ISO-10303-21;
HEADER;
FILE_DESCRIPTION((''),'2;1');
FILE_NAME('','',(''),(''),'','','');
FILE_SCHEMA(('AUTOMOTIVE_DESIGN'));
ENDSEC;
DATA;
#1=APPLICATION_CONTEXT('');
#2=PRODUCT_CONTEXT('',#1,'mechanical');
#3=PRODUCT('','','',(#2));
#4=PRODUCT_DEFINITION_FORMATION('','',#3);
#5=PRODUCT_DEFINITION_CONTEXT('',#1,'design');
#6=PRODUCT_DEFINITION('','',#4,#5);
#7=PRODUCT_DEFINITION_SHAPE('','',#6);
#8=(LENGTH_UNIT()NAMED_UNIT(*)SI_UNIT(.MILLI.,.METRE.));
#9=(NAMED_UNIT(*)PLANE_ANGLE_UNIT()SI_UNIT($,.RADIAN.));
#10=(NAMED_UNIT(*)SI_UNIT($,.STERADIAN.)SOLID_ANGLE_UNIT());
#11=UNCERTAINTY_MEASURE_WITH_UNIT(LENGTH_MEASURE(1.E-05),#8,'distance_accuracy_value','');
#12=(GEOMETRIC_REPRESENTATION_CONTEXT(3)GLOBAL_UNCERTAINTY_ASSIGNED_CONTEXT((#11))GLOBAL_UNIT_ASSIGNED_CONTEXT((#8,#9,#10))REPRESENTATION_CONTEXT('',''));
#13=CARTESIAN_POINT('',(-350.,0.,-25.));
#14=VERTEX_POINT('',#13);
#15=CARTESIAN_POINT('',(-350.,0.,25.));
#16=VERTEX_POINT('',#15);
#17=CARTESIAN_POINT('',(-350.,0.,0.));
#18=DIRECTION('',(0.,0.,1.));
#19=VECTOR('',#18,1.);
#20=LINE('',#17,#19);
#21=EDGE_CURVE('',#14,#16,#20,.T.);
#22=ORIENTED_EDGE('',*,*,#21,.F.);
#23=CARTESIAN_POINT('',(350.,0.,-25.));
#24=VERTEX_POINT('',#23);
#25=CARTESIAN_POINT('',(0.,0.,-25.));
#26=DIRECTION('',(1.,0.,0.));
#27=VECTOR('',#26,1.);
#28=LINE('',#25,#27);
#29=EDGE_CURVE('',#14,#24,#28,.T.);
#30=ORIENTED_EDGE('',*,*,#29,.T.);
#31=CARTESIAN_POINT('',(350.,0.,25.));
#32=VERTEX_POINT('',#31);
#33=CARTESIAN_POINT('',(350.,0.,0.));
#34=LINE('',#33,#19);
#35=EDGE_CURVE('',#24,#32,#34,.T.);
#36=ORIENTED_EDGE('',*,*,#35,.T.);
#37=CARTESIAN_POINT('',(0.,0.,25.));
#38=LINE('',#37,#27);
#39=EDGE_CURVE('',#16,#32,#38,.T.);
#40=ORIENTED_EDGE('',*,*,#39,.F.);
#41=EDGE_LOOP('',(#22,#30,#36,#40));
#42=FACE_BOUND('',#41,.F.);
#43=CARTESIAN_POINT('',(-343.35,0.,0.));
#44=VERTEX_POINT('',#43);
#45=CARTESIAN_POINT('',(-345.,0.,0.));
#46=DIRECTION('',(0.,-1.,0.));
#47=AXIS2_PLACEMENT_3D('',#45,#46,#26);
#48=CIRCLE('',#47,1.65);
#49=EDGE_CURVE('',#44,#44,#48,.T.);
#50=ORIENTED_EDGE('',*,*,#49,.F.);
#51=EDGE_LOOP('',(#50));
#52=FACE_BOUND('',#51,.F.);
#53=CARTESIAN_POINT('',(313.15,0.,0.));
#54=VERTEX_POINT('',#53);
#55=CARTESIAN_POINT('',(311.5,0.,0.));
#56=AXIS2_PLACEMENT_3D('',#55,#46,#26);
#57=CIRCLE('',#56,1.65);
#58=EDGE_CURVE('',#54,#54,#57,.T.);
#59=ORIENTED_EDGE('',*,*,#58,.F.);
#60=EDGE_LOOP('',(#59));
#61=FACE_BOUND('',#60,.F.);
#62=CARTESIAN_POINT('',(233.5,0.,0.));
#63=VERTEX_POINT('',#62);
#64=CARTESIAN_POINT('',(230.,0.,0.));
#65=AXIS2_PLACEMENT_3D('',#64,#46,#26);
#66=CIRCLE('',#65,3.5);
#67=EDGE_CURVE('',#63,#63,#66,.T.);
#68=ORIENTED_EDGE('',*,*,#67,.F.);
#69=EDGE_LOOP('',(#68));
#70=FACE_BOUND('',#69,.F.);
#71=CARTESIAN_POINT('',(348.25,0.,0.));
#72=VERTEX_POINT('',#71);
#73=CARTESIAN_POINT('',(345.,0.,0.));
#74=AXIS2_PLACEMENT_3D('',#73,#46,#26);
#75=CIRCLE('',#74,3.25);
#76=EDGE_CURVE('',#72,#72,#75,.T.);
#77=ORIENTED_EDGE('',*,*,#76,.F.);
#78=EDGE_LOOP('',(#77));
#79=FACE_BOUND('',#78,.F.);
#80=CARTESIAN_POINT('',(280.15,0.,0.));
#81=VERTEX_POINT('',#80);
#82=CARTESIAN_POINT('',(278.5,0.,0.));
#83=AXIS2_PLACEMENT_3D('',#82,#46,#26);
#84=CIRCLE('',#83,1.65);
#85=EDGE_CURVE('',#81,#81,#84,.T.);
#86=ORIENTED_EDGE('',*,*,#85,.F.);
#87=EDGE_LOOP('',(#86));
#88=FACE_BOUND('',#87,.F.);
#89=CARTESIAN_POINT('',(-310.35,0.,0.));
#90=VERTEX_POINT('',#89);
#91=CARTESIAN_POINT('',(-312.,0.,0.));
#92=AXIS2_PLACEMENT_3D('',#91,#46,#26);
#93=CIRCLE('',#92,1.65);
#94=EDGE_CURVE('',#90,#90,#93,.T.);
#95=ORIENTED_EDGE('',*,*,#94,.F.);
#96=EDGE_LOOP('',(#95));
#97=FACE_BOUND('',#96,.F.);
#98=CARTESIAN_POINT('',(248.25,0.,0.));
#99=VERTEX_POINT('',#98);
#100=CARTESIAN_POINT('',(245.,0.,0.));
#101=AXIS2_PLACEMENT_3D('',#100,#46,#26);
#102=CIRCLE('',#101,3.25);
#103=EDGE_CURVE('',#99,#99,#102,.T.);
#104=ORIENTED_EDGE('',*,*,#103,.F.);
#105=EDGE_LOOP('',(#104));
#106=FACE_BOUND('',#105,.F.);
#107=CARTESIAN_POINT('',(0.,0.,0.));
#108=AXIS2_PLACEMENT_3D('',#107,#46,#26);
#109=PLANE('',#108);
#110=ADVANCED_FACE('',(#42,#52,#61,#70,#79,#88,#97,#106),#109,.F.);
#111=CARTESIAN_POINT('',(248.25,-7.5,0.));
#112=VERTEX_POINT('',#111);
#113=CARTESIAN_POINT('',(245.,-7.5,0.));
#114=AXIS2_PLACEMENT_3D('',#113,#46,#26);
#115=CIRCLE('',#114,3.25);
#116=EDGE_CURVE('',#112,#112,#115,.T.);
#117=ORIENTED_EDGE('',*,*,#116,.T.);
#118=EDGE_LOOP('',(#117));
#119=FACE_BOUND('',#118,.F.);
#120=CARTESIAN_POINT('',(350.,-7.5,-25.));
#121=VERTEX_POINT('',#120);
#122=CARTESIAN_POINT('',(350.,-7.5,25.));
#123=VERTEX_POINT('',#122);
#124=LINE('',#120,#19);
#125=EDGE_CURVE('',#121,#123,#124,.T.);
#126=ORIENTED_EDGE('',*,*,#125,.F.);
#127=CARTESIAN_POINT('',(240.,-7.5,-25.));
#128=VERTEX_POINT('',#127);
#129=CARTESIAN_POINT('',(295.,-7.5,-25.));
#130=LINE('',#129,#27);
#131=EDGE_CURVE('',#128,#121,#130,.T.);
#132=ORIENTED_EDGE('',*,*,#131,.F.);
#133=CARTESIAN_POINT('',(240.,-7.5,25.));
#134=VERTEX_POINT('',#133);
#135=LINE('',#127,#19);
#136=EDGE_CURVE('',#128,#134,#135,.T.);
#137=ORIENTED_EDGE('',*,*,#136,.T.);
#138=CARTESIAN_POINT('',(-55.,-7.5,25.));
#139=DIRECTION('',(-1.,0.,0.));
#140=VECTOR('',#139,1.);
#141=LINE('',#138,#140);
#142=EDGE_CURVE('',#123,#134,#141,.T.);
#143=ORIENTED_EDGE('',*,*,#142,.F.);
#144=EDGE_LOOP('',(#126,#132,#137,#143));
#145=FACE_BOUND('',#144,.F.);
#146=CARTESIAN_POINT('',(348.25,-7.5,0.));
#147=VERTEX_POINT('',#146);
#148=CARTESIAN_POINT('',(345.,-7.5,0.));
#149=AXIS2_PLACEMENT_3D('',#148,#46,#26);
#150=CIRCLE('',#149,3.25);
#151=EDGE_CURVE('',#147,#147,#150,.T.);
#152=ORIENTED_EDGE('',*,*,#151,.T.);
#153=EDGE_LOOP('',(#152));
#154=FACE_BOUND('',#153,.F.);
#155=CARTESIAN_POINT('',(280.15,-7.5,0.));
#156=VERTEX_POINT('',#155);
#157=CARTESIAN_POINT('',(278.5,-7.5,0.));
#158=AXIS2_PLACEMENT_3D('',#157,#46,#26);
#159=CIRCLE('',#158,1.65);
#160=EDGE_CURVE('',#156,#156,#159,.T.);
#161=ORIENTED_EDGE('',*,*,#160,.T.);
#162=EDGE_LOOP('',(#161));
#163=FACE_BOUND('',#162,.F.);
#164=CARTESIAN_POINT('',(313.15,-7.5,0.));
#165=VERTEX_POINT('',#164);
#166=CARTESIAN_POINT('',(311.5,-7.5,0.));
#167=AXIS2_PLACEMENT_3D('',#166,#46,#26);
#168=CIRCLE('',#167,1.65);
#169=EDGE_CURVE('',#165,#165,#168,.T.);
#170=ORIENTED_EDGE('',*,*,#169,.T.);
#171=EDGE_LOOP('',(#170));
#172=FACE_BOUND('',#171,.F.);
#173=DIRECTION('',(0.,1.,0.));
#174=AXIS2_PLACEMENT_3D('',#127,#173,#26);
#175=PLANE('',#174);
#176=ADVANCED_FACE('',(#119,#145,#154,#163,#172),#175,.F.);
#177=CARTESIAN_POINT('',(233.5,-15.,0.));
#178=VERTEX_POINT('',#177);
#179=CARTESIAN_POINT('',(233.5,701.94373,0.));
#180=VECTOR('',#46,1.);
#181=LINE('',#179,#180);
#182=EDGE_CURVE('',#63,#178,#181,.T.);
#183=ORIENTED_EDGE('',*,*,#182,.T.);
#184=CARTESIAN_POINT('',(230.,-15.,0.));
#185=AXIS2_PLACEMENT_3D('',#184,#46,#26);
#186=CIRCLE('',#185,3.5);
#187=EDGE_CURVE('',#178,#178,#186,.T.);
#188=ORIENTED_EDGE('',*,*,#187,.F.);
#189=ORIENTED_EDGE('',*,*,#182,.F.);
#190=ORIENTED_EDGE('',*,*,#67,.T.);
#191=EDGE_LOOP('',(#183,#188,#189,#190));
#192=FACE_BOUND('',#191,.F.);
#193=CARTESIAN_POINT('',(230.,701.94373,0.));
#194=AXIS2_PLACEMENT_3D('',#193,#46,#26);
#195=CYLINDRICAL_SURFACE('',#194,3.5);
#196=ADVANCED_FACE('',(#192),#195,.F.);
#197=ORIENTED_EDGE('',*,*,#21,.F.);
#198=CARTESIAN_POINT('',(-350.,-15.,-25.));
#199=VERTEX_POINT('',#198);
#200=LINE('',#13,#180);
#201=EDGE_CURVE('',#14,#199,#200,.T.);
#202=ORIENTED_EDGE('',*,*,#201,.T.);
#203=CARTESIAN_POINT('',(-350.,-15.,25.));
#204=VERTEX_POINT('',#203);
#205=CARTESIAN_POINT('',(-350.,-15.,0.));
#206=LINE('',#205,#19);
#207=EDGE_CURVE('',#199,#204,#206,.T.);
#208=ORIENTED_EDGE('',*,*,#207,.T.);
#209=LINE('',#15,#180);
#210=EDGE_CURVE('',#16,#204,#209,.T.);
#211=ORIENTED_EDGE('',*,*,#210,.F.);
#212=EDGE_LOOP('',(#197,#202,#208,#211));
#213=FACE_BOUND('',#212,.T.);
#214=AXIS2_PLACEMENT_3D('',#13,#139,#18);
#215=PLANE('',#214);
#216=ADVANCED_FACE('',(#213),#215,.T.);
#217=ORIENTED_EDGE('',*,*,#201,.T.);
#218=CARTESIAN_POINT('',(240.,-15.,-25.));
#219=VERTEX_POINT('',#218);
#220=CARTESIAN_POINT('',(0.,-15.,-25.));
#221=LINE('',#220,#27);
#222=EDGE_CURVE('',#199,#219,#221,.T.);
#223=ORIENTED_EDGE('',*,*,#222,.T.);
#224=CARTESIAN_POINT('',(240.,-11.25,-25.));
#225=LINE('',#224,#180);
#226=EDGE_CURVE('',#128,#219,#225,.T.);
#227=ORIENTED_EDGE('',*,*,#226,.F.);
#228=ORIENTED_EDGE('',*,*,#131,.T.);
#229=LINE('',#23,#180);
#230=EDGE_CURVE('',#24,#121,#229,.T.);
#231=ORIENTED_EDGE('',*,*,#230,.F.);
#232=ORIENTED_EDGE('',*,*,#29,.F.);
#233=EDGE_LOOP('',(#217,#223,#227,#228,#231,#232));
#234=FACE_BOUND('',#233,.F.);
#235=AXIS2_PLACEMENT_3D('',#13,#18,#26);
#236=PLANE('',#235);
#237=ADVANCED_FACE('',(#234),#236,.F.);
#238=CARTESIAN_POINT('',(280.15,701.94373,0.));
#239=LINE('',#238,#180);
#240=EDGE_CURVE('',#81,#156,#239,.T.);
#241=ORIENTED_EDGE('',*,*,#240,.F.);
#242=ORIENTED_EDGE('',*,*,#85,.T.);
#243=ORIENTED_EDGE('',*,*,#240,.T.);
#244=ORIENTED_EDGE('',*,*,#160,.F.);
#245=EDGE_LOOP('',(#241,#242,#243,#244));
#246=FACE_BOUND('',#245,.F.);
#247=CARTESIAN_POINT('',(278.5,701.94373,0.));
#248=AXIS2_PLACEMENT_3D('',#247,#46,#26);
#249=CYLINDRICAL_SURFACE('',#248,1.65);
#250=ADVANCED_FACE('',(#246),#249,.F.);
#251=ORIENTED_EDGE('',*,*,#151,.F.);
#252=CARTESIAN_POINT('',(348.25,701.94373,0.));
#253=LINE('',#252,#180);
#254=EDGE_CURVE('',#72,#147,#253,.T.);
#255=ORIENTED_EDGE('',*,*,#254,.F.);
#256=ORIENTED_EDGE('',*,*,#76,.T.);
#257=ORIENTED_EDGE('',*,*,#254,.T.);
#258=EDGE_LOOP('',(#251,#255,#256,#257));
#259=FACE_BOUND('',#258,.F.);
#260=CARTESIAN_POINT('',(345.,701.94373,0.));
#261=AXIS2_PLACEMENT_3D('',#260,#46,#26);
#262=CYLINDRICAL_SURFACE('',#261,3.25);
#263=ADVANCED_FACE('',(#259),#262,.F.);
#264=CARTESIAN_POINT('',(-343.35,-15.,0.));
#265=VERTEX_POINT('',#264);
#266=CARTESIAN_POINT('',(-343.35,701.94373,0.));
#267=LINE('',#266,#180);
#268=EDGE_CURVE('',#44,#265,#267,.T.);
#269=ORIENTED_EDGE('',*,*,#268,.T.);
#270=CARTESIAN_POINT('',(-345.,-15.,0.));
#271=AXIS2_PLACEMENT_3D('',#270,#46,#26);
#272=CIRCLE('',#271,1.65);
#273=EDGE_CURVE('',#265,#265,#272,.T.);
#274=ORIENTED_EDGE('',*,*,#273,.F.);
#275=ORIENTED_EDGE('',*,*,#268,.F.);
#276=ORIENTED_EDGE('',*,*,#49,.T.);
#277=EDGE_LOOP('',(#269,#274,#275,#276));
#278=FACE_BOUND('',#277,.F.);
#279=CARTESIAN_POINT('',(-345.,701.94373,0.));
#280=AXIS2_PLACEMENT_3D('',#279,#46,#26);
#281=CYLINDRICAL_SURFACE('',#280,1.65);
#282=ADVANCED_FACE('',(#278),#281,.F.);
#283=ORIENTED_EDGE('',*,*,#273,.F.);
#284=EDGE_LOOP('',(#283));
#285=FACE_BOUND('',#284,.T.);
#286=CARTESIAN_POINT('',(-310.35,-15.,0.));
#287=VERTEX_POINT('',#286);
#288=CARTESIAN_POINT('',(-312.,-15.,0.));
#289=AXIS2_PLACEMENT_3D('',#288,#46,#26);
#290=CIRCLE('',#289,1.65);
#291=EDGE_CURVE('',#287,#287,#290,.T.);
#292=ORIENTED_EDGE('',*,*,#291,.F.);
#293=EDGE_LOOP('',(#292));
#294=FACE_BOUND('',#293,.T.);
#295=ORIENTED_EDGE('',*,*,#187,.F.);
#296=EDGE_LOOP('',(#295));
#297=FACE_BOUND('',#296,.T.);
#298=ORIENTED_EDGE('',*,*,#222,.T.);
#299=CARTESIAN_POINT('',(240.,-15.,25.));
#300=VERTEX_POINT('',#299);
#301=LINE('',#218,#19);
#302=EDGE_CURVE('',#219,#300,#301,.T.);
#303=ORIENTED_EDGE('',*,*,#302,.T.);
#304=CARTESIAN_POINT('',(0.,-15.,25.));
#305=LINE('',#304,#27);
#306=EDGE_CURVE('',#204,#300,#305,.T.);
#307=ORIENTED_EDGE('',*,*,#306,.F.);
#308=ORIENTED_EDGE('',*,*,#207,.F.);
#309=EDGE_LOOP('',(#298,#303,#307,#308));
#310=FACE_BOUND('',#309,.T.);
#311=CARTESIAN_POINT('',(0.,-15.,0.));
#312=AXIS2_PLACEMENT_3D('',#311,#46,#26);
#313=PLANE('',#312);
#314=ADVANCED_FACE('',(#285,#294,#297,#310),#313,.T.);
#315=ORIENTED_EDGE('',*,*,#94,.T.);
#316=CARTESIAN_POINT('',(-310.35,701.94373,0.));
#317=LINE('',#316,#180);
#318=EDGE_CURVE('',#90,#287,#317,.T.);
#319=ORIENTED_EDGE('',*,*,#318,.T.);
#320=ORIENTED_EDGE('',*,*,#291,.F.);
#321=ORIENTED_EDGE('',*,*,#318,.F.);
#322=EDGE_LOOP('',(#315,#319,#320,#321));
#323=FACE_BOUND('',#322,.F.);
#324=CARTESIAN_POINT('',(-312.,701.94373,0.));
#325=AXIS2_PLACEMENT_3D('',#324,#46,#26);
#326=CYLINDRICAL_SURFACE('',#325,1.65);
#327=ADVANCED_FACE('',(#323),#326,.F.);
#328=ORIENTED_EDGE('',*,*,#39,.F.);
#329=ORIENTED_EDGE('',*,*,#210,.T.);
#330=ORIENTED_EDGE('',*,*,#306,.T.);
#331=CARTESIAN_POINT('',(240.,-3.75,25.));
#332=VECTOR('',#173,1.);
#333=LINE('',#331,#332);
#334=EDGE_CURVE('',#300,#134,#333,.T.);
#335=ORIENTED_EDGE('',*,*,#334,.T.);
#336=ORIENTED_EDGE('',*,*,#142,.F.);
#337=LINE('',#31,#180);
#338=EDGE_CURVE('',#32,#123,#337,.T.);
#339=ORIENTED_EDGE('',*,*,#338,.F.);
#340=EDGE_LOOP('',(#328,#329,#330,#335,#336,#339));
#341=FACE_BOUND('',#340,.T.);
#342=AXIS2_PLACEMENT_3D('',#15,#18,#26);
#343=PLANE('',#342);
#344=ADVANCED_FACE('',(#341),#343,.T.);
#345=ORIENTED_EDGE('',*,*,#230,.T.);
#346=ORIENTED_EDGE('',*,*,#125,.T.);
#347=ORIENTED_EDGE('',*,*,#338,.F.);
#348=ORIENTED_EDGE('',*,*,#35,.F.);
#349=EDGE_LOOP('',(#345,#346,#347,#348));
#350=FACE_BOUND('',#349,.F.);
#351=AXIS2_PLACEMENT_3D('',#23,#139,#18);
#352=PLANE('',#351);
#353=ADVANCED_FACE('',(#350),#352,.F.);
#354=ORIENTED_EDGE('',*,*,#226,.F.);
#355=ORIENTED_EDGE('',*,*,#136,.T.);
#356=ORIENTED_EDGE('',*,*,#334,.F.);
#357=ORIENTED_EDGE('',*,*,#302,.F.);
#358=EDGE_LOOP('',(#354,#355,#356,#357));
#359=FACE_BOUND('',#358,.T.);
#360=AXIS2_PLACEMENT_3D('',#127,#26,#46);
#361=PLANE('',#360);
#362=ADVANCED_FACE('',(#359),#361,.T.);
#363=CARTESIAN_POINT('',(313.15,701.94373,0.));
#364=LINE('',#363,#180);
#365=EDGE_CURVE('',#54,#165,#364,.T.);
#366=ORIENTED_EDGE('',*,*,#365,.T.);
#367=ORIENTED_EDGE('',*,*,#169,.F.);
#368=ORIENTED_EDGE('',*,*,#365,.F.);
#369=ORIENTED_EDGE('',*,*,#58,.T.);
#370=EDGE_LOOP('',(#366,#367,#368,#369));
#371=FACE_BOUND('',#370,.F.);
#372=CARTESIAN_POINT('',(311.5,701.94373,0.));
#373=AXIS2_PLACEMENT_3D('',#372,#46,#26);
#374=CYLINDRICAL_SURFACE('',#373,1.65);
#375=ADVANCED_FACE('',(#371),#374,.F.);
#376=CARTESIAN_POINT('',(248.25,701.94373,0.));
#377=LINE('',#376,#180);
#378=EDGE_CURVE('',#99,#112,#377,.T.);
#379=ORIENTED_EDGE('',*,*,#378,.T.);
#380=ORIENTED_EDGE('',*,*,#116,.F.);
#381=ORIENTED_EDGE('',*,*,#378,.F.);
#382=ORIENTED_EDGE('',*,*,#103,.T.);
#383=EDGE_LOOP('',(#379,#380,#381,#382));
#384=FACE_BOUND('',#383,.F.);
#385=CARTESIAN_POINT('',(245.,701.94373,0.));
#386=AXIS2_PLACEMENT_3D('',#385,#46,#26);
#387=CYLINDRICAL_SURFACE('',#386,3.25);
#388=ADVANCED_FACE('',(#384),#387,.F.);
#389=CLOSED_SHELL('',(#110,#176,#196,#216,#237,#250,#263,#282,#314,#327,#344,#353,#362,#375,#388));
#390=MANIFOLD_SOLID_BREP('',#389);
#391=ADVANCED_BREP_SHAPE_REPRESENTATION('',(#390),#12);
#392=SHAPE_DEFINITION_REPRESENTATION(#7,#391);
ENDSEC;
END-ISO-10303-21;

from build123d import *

# Parameters (mm, degrees)
F0_W     = 700
F0_H     = 50
F1_DEPTH = 15
F2_W     = 110
F2_H     = 7.5
F3_DEPTH = 50.001
F5_D     = 3.3
F7_D     = 3.3
F9_D     = 7
F11_D    = 6.5


with BuildPart() as f1:
    # F0 (on Front) → F1 (new body)
    with BuildSketch(Plane.XZ):
        Rectangle(F0_W, F0_H)
    extrude(amount=F1_DEPTH)

    # F2 (on face) → F3 (cut, through all)
    with BuildSketch(Plane(origin=(0, 0, -25), x_dir=(1, 0, 0), z_dir=(0, 0, -1))):
        with Locations((295, 11.25)):
            Rectangle(F2_W, F2_H)
    extrude(amount=-F3_DEPTH, mode=Mode.SUBTRACT)

    # F5 (through all)
    with Locations(Plane(origin=(0, 0, 0), x_dir=(-1, 0, 0), z_dir=(0, 1, 0))):
        with Locations((-311.5, 0), (-278.5, 0)):
            Hole(F5_D / 2)

    # F7 (through all)
    with Locations(Plane(origin=(0, 0, 0), x_dir=(-1, 0, 0), z_dir=(0, 1, 0))):
        with Locations((312, 0), (345, 0)):
            Hole(F7_D / 2)

    # F9 (through all)
    with Locations(Plane(origin=(0, 0, 0), x_dir=(-1, 0, 0), z_dir=(0, 1, 0))):
        with Locations((-230, 0)):
            Hole(F9_D / 2)

    # F11 (through all)
    with Locations(Plane(origin=(0, 0, 0), x_dir=(-1, 0, 0), z_dir=(0, 1, 0))):
        with Locations((-345, 0), (-245, 0)):
            Hole(F11_D / 2)


solid = f1.part
